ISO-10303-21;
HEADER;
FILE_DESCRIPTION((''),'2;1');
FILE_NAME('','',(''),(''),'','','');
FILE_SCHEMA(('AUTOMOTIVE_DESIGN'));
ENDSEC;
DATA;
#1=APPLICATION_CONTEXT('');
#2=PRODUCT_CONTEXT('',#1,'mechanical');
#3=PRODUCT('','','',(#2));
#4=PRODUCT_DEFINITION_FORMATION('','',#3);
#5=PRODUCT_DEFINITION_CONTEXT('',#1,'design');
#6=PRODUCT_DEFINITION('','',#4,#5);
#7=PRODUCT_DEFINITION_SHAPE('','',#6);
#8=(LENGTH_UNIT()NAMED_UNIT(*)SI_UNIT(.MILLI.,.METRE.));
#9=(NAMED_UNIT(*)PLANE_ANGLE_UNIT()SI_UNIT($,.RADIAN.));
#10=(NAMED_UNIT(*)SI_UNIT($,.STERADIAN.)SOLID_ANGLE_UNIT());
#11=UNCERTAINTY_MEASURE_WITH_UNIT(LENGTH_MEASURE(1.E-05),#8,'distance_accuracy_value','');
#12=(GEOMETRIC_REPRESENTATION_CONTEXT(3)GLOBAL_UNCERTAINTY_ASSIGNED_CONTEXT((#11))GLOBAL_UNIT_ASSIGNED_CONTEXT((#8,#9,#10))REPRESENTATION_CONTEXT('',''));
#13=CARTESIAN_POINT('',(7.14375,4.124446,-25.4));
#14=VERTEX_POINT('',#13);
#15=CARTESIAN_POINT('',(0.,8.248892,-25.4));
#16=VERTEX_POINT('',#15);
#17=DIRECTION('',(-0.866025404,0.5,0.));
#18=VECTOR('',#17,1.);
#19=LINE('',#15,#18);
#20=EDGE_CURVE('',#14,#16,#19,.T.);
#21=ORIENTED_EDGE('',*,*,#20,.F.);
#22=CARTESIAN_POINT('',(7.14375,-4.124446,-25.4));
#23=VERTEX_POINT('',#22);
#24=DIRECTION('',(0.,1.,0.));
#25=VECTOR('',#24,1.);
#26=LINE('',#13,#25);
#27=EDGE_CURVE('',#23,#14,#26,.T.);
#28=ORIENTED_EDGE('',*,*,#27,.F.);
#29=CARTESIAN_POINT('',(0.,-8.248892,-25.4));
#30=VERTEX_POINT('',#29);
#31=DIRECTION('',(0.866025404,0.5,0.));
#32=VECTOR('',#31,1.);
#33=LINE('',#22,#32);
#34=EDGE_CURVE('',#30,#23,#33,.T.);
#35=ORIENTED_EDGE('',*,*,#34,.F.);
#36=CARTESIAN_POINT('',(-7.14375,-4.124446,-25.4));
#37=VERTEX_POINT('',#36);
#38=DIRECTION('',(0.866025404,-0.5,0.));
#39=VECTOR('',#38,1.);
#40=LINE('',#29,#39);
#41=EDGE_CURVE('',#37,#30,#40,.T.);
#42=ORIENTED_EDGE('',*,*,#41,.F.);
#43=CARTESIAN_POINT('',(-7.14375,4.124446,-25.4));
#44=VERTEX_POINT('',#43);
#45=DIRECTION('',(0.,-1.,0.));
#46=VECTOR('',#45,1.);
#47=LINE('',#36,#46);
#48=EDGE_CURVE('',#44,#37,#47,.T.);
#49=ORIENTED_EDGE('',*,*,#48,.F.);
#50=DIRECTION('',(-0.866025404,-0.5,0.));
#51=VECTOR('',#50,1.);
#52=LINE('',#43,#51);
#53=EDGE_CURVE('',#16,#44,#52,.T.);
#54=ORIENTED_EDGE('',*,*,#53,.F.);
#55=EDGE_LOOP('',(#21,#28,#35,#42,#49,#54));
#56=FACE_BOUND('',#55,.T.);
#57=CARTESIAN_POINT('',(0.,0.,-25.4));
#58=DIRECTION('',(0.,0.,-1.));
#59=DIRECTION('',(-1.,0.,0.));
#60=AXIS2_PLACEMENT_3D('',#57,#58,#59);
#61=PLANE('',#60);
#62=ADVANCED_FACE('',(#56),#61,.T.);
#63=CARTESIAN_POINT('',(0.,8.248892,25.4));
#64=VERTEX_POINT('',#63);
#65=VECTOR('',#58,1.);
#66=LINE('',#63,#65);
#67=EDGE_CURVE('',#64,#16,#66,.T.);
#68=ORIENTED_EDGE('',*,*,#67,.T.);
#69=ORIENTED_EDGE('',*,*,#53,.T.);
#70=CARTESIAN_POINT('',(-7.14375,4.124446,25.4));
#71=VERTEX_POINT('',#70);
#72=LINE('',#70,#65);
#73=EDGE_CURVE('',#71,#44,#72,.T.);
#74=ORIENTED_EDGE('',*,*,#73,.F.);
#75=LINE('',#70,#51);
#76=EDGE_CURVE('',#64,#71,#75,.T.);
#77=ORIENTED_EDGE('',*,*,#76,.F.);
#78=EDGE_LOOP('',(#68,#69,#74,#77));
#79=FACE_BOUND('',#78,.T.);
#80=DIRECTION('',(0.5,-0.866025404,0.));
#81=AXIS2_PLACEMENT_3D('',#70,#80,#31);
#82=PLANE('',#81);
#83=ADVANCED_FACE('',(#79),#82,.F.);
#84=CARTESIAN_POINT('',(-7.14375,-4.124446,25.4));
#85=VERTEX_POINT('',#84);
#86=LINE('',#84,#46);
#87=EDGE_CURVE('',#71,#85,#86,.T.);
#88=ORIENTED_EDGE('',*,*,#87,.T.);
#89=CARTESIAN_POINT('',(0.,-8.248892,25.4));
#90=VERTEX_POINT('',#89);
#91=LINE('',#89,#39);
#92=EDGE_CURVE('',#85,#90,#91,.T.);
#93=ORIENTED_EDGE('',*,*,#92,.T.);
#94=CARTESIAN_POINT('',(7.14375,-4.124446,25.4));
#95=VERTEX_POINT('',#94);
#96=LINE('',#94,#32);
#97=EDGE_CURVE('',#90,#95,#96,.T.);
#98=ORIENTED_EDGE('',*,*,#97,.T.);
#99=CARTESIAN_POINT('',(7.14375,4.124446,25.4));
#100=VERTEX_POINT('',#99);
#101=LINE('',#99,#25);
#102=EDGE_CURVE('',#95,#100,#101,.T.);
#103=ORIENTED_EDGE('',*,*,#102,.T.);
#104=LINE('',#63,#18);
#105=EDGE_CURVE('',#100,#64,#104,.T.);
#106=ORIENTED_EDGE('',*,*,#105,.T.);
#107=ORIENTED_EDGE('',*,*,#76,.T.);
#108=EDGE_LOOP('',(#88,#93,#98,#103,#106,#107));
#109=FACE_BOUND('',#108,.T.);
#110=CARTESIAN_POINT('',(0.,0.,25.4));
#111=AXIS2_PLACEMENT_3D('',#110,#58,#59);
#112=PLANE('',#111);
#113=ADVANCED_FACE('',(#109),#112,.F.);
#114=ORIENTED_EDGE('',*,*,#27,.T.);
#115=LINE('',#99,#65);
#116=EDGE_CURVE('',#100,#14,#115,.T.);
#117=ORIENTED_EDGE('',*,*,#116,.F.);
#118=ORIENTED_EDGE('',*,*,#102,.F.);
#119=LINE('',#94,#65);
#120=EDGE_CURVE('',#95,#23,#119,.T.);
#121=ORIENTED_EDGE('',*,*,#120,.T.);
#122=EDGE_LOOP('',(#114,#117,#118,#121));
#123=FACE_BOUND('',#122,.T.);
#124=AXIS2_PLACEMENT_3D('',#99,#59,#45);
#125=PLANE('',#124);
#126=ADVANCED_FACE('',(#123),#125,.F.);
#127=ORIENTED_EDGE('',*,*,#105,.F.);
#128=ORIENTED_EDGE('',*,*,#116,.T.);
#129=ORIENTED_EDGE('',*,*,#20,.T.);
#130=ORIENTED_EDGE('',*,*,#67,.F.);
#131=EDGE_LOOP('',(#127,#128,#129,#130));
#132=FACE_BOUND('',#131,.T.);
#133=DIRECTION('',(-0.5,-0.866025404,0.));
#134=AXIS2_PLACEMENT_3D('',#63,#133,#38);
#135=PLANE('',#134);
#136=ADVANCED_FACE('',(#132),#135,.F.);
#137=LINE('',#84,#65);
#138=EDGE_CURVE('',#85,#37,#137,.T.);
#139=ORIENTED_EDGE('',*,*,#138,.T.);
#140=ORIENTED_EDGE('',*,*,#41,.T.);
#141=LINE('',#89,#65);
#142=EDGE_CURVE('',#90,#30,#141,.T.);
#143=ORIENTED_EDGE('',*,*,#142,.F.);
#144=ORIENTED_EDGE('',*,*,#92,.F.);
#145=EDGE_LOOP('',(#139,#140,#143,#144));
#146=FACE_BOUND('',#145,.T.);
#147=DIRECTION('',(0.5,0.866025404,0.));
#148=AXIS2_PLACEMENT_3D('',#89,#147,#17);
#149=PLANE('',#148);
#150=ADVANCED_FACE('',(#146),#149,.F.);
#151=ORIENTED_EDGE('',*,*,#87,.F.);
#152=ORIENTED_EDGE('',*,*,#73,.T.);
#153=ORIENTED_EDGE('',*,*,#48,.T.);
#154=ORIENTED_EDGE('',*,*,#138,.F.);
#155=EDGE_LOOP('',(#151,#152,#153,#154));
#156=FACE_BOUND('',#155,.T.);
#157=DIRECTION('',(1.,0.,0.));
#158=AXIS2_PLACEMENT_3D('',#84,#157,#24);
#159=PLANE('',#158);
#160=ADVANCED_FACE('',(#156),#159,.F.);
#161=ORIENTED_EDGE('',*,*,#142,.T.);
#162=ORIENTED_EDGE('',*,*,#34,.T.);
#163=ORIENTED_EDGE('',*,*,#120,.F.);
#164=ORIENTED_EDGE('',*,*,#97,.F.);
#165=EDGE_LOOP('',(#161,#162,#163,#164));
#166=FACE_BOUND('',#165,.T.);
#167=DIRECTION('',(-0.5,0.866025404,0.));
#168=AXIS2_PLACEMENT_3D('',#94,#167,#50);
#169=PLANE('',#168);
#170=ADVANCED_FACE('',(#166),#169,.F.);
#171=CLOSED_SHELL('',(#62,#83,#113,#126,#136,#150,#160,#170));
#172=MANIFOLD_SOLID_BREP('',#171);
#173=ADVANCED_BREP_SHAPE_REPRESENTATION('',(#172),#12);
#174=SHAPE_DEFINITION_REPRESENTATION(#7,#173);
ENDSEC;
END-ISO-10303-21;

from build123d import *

# Parameters (mm, degrees)
BOSS_EXTRUDE1_DEPTH = 25.4


with BuildPart() as part:
    # Sketch3 → Boss-Extrude1 (new, symmetric)
    with BuildSketch(Plane.XY):
        Polygon((0, 8.248891971), (7.14375, 4.124445986), (7.14375, -4.124445986), (0, -8.248891971), (-7.14375, -4.124445986), (-7.14375, 4.124445986), align=None)
    extrude(amount=BOSS_EXTRUDE1_DEPTH, both=True)


solid = part.part
